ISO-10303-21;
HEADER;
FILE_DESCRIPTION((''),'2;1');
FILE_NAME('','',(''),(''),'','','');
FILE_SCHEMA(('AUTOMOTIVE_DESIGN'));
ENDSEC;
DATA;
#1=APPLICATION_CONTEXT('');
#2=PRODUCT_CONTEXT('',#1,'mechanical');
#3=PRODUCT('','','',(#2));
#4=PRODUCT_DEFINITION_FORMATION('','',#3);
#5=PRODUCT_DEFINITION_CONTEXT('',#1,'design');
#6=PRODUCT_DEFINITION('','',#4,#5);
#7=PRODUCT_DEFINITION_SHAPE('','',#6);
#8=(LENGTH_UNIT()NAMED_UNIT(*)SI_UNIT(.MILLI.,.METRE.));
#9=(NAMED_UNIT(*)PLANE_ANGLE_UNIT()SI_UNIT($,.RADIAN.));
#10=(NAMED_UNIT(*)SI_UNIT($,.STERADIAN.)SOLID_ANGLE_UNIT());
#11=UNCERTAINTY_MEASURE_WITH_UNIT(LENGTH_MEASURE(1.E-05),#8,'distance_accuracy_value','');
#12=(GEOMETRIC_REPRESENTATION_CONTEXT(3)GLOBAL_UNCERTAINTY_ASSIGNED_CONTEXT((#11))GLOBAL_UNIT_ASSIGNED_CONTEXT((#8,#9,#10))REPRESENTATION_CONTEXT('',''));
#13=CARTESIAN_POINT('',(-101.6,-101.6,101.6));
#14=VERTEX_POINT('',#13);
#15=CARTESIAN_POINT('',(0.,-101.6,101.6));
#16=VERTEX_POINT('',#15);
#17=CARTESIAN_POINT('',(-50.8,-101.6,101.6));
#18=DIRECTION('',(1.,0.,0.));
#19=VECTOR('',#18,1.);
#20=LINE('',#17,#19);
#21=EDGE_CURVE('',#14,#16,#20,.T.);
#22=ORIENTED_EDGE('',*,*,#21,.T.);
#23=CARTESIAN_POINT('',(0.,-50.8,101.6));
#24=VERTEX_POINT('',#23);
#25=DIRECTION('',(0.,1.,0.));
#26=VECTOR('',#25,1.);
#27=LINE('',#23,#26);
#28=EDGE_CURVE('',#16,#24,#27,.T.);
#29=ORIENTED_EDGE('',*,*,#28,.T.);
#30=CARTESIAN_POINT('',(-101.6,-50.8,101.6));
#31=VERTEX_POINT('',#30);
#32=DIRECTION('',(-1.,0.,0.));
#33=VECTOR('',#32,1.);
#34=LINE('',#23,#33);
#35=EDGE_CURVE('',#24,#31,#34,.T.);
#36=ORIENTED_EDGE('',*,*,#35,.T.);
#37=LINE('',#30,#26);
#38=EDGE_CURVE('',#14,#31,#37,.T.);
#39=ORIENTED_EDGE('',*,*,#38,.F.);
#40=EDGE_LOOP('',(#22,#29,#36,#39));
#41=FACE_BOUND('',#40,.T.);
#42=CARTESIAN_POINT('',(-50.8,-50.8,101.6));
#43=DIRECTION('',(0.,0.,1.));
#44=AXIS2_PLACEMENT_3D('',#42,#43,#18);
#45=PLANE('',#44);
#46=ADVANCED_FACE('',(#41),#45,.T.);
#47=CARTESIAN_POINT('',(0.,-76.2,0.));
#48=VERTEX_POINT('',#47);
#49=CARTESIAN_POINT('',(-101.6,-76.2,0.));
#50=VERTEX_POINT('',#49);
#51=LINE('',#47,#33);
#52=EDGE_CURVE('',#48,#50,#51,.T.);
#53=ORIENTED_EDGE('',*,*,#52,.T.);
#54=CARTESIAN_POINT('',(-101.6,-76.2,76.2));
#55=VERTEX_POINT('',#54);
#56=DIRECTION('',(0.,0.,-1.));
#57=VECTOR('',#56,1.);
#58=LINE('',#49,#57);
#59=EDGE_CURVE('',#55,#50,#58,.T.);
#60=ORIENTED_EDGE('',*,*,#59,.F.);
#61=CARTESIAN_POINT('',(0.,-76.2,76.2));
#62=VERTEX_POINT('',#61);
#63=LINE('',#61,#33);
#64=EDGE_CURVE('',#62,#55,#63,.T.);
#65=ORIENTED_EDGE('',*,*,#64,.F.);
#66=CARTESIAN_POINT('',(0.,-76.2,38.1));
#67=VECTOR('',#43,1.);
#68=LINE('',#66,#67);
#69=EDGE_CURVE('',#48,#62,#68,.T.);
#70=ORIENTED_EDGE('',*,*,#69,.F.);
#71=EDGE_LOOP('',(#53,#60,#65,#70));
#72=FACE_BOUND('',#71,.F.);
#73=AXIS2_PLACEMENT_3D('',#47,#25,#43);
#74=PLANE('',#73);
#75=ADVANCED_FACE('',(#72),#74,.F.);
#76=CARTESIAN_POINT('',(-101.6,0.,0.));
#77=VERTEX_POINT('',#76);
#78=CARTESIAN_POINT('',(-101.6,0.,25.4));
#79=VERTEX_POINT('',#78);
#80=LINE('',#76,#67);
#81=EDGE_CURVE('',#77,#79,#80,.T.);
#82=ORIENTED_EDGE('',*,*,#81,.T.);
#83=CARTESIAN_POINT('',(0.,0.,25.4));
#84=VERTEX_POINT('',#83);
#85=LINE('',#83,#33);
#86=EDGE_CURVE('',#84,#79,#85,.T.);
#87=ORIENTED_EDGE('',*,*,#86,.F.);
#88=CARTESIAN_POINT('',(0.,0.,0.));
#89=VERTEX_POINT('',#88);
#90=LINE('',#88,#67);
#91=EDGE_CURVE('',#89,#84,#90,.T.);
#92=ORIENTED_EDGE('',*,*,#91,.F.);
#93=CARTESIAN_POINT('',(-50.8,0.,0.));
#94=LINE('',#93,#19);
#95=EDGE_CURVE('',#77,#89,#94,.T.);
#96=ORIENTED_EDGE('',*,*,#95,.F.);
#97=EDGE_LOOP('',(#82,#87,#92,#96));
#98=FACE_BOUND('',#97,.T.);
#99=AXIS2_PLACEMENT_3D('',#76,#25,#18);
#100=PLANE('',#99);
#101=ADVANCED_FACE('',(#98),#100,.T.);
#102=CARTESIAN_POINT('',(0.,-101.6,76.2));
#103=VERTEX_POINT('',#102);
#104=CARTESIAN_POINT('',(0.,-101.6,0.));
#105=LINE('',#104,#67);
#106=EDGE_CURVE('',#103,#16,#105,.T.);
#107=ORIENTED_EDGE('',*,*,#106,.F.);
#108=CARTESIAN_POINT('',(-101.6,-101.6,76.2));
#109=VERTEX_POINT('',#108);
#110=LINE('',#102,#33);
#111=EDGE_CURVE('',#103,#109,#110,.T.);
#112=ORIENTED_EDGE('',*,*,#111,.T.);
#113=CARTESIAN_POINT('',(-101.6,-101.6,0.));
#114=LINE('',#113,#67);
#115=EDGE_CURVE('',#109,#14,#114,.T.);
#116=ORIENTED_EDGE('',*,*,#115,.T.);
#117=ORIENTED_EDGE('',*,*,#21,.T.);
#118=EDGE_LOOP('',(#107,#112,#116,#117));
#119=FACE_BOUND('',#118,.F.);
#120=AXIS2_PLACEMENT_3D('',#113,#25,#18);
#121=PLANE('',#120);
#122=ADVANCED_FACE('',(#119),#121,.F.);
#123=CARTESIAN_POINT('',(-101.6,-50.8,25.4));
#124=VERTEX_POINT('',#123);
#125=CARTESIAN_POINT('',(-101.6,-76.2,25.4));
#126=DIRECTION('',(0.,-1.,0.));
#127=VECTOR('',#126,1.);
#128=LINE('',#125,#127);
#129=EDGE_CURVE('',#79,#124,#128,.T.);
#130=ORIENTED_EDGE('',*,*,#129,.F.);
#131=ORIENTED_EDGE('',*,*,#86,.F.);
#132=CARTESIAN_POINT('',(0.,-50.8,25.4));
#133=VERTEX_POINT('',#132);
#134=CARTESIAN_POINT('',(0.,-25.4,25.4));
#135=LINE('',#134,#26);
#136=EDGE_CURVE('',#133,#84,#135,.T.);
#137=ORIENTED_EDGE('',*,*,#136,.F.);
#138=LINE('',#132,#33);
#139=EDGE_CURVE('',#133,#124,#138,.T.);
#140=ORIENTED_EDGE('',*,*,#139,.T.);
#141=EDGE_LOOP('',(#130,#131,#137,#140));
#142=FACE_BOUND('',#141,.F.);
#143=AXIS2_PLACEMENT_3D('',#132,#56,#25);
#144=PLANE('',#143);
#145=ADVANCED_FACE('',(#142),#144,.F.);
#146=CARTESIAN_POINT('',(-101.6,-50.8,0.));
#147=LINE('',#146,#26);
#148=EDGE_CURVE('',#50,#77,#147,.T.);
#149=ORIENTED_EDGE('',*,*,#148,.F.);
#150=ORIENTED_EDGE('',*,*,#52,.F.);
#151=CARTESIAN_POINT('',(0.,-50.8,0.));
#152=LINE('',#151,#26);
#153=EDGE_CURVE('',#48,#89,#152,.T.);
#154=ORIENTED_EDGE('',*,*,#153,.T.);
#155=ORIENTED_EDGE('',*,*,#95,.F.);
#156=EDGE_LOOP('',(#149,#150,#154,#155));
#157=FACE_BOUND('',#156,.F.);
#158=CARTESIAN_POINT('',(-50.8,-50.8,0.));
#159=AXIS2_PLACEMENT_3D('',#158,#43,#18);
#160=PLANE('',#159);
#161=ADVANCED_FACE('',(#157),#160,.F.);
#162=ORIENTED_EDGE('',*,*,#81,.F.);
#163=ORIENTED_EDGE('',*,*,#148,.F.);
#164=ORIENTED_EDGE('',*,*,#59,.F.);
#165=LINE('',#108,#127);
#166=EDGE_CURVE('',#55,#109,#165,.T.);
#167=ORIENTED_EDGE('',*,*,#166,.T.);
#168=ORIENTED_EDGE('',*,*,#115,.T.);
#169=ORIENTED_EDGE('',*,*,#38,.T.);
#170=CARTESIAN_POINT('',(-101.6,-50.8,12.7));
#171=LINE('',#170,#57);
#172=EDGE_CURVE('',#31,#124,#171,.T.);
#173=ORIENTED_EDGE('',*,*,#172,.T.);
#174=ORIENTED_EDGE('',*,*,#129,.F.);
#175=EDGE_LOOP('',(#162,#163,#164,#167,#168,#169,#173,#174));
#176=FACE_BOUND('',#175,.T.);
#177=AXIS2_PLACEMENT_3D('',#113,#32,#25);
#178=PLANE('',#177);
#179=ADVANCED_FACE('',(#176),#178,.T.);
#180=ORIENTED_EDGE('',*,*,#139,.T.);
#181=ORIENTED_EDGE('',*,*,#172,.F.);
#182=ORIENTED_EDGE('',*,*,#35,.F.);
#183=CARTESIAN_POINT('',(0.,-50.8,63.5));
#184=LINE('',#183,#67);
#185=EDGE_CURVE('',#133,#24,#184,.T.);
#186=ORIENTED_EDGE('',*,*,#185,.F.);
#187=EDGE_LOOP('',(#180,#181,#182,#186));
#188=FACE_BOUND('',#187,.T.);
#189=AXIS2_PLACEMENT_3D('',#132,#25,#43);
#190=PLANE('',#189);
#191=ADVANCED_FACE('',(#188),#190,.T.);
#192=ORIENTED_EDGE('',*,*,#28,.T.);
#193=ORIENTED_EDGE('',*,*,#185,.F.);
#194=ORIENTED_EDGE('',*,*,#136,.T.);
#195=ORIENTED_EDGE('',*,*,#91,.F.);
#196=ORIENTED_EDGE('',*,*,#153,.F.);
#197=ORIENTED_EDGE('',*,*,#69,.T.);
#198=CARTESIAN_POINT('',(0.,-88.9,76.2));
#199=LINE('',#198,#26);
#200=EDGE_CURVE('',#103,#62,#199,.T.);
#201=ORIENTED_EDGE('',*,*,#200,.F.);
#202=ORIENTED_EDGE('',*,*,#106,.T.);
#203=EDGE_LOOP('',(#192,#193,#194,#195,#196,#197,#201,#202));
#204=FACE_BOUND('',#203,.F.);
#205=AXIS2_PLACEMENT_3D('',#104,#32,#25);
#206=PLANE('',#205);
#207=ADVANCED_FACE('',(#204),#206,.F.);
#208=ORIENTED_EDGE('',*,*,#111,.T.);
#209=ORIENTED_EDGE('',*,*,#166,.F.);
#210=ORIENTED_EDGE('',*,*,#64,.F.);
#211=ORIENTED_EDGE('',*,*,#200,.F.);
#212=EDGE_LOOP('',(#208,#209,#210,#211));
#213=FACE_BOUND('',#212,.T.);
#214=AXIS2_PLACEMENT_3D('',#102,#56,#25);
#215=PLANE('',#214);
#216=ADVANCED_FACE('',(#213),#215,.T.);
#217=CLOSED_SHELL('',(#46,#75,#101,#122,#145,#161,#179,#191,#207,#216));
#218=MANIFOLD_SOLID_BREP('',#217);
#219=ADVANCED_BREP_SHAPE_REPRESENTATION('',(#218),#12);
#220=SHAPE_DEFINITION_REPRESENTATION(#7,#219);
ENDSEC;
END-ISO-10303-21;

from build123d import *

# Parameters (mm, degrees)
F0_W     = 101.6
F0_H     = 101.6
F1_DEPTH = 101.6
F2_W     = 25.4
F2_H     = 76.2
F2_W_2   = 50.8
F3_DEPTH = 121.92


with BuildPart() as f1:
    # F0 (on Top) → F1 (new body)
    with BuildSketch(Plane.XY):
        with Locations((-50.8, -50.8)):
            Rectangle(F0_W, F0_H)
    extrude(amount=F1_DEPTH)

    # F2 (on face) → F3 (cut)
    with BuildSketch(Plane.YZ):
        with Locations((-88.9, 38.1)):
            Rectangle(F2_W, F2_H)
        with Locations((-25.4, 63.5)):
            Rectangle(F2_W_2, F2_H)
    extrude(amount=-F3_DEPTH, mode=Mode.SUBTRACT)


solid = f1.part
